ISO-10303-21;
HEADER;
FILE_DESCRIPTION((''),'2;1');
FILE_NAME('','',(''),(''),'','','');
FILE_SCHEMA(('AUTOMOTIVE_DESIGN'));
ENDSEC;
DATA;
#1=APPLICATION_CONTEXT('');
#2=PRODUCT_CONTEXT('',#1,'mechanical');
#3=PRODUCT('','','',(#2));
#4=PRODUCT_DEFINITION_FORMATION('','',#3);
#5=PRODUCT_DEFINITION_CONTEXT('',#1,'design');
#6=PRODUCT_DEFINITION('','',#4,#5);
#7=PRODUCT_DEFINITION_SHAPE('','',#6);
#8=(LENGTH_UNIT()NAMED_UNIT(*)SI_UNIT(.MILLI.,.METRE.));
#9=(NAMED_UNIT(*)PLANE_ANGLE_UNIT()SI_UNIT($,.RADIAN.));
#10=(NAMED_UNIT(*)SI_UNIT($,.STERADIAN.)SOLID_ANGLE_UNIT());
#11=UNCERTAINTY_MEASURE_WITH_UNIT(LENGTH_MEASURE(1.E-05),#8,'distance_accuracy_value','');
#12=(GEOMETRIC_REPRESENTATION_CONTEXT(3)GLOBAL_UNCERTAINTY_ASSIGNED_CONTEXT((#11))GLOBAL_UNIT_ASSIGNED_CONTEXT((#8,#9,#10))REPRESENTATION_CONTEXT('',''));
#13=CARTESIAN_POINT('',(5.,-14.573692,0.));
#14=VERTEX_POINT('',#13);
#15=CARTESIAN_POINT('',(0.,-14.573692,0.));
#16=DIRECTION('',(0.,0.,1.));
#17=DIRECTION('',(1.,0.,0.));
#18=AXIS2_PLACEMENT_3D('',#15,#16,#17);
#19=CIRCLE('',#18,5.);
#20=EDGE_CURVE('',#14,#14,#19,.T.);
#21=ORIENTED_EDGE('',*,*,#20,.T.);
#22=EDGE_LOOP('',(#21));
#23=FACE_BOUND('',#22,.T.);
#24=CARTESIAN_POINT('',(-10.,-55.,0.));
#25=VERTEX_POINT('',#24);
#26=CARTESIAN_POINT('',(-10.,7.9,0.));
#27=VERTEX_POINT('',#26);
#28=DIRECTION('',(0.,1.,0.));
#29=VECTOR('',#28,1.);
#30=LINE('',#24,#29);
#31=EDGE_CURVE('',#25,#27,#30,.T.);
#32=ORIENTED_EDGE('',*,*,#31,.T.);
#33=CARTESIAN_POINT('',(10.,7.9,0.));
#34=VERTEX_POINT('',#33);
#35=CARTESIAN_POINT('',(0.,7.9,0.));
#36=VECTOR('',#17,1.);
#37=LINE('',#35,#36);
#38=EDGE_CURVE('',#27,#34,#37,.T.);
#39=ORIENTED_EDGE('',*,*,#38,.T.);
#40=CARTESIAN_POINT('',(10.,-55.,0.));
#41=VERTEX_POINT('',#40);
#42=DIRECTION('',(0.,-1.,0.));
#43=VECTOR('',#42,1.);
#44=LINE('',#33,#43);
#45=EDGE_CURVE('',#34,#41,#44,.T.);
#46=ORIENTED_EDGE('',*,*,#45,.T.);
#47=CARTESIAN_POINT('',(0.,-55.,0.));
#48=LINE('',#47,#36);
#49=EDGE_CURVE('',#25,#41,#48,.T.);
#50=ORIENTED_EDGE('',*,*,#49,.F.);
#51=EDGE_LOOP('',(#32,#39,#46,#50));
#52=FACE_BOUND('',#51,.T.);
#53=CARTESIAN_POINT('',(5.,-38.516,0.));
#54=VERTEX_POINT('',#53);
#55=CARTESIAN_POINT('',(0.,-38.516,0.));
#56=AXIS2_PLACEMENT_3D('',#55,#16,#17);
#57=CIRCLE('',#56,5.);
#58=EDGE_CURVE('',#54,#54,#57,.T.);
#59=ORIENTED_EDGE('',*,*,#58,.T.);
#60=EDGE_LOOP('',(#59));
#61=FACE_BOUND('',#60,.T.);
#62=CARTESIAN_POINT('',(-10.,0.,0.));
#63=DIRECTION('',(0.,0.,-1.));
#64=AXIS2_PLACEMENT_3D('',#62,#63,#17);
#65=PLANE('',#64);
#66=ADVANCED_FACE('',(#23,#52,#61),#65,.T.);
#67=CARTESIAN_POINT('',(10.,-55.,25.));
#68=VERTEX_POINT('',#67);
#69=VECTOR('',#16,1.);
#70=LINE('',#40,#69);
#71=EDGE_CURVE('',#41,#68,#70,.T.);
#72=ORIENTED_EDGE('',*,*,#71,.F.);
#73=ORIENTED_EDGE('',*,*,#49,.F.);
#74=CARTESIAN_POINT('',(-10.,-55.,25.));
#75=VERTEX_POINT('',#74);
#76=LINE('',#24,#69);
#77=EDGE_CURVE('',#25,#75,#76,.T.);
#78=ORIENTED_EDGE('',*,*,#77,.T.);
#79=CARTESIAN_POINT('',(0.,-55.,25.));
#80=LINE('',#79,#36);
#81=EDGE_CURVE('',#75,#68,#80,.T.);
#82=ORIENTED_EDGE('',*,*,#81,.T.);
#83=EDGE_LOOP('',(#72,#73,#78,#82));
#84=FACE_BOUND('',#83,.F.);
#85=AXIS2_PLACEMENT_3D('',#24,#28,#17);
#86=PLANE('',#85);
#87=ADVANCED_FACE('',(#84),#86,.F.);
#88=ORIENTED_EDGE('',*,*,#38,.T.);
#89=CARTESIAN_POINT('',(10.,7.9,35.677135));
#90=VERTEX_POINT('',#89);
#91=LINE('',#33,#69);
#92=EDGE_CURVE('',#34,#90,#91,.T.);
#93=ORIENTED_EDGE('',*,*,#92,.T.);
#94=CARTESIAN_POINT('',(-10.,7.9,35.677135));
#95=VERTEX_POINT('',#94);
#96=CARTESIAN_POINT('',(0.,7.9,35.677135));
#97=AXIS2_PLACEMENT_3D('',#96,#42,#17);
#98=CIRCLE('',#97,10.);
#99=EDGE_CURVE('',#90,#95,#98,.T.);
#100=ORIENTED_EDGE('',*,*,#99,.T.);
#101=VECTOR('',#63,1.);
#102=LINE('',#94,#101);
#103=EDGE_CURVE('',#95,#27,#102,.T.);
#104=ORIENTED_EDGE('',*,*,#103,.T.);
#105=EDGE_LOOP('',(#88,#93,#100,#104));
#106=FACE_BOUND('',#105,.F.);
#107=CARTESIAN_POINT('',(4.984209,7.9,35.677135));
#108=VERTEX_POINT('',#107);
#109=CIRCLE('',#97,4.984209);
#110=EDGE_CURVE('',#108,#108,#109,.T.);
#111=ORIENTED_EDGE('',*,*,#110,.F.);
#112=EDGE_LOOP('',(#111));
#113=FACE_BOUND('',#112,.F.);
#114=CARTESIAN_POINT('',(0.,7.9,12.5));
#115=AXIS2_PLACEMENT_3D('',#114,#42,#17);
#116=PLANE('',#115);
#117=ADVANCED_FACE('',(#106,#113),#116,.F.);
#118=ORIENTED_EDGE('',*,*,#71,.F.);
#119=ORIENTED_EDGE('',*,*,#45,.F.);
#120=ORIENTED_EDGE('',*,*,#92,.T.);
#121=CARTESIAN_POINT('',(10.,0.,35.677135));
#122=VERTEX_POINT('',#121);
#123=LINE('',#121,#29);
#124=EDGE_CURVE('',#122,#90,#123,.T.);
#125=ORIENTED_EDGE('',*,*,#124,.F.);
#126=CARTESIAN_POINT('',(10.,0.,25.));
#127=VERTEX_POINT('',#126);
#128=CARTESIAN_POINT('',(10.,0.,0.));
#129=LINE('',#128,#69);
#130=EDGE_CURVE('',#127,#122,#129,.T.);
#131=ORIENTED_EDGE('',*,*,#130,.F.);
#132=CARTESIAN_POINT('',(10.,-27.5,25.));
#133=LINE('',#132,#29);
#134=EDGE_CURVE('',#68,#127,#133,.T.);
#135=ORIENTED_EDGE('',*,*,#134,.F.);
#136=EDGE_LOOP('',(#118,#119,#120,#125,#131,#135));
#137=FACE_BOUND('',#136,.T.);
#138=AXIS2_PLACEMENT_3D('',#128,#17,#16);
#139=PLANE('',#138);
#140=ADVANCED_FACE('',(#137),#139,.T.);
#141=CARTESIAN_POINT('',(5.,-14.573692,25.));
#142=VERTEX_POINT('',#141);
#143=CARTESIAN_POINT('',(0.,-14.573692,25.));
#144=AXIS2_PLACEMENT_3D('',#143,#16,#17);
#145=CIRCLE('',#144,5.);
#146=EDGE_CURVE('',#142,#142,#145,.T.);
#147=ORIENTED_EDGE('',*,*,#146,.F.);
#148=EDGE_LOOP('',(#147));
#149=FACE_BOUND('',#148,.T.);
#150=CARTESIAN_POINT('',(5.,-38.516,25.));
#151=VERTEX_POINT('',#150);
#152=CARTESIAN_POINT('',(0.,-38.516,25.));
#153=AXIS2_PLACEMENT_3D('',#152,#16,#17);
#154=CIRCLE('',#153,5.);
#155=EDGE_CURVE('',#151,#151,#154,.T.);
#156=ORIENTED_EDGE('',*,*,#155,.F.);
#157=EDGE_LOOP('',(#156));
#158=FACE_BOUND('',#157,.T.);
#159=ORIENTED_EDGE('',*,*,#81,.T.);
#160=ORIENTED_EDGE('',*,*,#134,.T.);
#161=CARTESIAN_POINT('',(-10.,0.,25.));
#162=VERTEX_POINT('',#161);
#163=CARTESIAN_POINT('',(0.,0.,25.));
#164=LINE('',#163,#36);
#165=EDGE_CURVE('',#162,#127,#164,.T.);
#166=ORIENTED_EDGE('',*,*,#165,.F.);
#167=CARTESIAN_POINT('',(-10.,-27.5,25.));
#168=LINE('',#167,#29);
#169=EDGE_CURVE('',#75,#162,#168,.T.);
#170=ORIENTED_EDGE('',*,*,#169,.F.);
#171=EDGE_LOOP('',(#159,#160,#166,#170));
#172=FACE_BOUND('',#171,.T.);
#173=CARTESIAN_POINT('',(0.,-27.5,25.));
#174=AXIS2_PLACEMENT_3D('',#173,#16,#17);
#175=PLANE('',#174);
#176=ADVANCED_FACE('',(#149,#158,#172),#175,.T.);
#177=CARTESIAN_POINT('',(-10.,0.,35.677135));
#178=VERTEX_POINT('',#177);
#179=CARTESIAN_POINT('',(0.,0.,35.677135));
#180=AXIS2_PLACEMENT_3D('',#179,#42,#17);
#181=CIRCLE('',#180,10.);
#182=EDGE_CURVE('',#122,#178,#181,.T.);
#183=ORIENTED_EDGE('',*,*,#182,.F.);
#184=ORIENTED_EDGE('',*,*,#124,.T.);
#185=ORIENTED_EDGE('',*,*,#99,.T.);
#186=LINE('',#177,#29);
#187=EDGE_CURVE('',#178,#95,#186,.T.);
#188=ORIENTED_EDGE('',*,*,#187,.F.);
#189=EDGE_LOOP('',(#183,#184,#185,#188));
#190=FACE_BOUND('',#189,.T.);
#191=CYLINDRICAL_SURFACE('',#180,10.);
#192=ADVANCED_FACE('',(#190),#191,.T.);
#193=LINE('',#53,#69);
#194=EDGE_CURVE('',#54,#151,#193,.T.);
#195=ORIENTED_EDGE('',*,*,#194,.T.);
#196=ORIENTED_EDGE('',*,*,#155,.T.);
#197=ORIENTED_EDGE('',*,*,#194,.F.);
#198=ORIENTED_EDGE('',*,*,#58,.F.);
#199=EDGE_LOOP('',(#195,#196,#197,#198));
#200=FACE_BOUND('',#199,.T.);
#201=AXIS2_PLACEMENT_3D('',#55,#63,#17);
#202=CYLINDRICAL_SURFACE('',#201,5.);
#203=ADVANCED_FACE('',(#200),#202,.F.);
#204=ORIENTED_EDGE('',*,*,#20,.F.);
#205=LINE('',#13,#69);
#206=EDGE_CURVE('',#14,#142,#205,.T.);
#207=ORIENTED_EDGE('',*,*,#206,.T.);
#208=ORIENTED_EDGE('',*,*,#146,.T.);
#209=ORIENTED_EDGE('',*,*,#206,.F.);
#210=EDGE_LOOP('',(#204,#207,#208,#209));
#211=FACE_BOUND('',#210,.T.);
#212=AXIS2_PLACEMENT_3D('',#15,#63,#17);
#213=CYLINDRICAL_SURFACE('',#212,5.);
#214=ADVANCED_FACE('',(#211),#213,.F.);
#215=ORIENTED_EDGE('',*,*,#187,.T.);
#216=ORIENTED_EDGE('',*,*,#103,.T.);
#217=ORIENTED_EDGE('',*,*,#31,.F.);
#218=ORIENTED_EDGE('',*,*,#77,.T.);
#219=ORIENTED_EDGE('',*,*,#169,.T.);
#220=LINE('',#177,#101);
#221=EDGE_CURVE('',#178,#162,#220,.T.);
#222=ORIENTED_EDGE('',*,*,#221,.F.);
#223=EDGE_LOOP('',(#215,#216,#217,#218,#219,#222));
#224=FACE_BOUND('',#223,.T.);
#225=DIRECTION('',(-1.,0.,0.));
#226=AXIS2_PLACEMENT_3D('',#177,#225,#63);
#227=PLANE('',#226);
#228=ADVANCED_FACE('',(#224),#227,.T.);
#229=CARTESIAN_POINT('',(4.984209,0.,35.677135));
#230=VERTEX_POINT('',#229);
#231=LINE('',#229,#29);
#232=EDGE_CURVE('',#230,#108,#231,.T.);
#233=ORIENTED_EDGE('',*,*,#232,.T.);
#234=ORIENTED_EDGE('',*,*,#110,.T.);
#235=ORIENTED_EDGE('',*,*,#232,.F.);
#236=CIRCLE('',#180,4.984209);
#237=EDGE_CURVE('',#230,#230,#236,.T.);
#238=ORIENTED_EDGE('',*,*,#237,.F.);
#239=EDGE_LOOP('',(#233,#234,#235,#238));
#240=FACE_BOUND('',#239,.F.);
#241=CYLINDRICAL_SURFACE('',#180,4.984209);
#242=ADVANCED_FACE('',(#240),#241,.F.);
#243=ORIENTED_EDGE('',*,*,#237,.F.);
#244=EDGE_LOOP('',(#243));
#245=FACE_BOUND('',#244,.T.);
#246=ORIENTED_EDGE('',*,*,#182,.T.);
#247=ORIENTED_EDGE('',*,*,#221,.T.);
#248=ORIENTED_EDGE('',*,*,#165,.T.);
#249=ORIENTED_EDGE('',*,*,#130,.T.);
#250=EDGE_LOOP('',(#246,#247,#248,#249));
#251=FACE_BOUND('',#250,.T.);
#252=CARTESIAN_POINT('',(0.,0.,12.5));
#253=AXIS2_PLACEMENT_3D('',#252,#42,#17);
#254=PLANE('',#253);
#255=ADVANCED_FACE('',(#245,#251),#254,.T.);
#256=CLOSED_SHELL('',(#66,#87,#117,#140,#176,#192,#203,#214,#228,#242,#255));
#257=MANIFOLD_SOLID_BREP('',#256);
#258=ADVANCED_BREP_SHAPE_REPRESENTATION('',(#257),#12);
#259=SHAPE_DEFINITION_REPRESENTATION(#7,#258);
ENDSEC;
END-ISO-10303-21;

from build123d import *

# Parameters (mm, degrees)
F0_W     = 20
F0_H     = 55
F0_R     = 5
F1_DEPTH = 25
F2_W     = 20
F2_H     = 25
F2_R     = 4.984209
F3_DEPTH = 7.9


with BuildPart() as f1:
    # F0 (on Top) → F1 (new body)
    with BuildSketch(Plane.XY):
        with Locations((0, -27.5)):
            Rectangle(F0_W, F0_H)
        with Locations((0, -38.516)):
            Circle(F0_R, mode=Mode.SUBTRACT)
        with Locations((0, -14.573692)):
            Circle(F0_R, mode=Mode.SUBTRACT)
    extrude(amount=F1_DEPTH)

    # F2 (on Front) → F3 (join)
    with BuildSketch(Plane.XZ):
        with Locations((0, 12.5)):
            Rectangle(F2_W, F2_H)
        with BuildLine():
            Line((-10, 35.677135), (-10, 25))
            Line((-10, 25), (10, 25))
            Line((10, 25), (10, 35.677135))
            ThreePointArc((10, 35.677135), (0, 45.677135), (-10, 35.677135))
        make_face()
        with Locations((0, 35.677135)):
            Circle(F2_R, mode=Mode.SUBTRACT)
    extrude(amount=-F3_DEPTH)


solid = f1.part
